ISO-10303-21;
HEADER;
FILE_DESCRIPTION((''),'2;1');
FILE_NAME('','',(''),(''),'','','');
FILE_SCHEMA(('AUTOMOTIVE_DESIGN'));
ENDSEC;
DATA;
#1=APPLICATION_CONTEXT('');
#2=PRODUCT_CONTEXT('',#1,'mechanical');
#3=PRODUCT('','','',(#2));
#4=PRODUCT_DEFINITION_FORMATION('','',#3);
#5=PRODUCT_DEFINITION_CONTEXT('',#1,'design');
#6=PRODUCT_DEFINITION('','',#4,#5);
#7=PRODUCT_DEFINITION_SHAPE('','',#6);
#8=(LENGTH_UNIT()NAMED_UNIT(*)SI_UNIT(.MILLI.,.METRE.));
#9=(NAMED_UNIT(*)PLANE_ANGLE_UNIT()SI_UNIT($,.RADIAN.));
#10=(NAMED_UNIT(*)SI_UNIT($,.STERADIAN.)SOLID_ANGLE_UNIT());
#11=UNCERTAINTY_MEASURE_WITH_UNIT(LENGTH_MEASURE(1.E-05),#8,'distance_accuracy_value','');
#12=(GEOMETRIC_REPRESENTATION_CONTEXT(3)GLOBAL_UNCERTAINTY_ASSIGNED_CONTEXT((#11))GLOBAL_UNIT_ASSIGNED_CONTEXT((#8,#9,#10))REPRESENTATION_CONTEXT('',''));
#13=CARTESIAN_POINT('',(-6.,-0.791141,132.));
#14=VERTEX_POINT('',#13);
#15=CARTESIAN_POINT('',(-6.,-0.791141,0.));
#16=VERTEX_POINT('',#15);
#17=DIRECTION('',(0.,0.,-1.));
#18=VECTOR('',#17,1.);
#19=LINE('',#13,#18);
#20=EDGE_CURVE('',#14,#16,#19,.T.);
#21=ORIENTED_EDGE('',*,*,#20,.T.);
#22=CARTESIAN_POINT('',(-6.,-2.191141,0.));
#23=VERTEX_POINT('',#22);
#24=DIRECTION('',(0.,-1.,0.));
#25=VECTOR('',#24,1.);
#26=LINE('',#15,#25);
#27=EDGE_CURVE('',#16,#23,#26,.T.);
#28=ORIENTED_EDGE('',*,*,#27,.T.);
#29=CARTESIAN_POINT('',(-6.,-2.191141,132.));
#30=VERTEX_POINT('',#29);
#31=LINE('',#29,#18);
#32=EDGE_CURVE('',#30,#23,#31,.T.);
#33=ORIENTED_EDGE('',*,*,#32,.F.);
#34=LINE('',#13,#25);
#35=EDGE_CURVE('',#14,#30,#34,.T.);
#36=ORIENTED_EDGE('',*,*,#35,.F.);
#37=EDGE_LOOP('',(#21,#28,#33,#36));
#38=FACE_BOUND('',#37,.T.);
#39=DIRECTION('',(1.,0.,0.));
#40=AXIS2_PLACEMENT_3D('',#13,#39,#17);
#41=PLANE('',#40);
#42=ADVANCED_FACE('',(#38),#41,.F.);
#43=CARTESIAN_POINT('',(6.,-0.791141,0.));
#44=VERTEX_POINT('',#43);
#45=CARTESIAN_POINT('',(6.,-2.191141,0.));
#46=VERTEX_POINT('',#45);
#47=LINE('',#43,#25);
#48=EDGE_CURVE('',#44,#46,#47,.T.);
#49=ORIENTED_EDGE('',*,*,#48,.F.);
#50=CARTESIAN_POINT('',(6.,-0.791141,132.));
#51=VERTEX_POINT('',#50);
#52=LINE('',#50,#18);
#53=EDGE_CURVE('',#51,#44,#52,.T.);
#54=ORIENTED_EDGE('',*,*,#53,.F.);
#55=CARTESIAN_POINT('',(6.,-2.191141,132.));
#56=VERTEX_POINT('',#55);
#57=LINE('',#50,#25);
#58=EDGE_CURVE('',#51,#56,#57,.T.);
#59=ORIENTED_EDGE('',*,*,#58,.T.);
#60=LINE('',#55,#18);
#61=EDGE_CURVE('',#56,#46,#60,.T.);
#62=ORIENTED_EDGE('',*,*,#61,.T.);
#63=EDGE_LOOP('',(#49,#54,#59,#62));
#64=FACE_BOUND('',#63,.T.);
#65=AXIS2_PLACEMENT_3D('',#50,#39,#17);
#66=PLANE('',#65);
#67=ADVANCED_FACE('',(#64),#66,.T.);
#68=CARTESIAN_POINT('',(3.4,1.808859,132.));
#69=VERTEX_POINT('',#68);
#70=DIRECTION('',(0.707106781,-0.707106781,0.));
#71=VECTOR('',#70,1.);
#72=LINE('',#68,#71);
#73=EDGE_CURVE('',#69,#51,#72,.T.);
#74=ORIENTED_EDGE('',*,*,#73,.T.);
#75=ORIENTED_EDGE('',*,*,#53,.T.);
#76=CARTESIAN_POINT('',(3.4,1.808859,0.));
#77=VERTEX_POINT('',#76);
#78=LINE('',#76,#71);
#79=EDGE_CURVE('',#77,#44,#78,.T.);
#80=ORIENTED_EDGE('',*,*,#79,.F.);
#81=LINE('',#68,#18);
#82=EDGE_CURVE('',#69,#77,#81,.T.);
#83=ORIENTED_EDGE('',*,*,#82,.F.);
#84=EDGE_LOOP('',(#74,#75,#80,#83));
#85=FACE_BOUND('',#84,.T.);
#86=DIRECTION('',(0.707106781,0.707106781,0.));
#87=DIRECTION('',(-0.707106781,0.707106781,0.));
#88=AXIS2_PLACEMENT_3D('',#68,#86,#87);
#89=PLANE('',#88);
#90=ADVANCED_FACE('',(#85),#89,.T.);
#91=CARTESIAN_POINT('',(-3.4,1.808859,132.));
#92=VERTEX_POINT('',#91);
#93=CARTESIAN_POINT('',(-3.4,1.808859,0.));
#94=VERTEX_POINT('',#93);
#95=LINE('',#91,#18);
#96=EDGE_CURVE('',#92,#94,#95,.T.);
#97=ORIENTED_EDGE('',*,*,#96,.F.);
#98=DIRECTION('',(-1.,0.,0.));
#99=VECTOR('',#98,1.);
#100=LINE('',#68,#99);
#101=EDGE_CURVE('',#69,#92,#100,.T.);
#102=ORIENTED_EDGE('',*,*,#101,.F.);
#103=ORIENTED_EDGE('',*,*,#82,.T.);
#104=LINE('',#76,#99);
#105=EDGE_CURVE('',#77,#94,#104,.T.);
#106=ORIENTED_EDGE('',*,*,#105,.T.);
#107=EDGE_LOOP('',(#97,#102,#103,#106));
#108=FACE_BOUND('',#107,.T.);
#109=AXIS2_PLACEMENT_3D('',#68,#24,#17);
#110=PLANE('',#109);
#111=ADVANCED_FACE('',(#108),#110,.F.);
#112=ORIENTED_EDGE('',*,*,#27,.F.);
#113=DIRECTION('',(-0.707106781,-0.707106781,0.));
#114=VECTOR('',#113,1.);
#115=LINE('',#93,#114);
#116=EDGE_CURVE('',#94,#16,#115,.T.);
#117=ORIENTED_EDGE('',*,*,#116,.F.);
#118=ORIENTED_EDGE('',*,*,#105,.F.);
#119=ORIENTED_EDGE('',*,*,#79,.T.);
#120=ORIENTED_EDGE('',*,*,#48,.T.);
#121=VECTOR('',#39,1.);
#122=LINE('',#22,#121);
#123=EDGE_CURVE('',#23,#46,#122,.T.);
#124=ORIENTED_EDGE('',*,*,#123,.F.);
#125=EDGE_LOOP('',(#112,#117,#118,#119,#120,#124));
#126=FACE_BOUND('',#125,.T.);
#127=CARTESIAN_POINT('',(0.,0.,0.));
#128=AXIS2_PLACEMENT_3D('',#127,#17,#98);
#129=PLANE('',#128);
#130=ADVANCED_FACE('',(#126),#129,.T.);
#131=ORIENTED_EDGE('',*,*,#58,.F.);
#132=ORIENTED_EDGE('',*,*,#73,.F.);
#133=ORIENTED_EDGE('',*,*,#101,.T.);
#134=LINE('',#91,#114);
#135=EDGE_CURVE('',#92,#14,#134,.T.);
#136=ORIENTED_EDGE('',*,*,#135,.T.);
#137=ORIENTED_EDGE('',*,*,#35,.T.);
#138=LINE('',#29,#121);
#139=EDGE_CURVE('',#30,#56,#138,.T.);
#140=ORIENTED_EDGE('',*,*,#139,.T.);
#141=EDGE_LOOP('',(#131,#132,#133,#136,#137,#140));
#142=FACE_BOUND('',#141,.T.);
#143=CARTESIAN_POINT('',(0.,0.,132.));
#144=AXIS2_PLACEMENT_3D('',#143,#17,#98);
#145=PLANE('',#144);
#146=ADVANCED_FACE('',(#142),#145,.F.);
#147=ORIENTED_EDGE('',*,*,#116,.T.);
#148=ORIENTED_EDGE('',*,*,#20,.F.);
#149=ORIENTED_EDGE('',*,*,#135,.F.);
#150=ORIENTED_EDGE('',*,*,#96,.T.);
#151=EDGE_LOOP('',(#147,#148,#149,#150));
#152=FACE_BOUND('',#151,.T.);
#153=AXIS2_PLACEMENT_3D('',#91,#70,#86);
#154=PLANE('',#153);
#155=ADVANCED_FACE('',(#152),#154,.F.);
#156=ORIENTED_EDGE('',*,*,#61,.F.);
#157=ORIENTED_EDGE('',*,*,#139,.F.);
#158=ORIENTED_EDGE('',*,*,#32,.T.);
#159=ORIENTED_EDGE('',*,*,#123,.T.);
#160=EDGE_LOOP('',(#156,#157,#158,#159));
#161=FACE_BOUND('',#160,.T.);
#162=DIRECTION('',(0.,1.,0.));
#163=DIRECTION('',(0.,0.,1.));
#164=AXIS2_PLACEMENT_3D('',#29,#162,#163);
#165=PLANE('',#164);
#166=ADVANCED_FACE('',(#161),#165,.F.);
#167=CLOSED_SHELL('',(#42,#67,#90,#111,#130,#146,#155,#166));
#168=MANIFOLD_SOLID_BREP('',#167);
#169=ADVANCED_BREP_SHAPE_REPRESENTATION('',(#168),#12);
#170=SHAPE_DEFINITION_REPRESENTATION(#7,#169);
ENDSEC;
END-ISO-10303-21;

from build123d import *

# Parameters (mm, degrees)
AUFSATZ_LINEAR_AUSTRAGEN1_DEPTH = 132


with BuildPart() as part:
    # Skizze1 → Aufsatz-Linear austragen1 (new body)
    with BuildSketch(Plane.XY):
        Polygon((3.4, 1.808858787), (-3.4, 1.808858787), (-6, -0.791141213), (-6, -2.191141213), (6, -2.191141213), (6, -0.791141213), align=None)
    extrude(amount=AUFSATZ_LINEAR_AUSTRAGEN1_DEPTH)


solid = part.part
